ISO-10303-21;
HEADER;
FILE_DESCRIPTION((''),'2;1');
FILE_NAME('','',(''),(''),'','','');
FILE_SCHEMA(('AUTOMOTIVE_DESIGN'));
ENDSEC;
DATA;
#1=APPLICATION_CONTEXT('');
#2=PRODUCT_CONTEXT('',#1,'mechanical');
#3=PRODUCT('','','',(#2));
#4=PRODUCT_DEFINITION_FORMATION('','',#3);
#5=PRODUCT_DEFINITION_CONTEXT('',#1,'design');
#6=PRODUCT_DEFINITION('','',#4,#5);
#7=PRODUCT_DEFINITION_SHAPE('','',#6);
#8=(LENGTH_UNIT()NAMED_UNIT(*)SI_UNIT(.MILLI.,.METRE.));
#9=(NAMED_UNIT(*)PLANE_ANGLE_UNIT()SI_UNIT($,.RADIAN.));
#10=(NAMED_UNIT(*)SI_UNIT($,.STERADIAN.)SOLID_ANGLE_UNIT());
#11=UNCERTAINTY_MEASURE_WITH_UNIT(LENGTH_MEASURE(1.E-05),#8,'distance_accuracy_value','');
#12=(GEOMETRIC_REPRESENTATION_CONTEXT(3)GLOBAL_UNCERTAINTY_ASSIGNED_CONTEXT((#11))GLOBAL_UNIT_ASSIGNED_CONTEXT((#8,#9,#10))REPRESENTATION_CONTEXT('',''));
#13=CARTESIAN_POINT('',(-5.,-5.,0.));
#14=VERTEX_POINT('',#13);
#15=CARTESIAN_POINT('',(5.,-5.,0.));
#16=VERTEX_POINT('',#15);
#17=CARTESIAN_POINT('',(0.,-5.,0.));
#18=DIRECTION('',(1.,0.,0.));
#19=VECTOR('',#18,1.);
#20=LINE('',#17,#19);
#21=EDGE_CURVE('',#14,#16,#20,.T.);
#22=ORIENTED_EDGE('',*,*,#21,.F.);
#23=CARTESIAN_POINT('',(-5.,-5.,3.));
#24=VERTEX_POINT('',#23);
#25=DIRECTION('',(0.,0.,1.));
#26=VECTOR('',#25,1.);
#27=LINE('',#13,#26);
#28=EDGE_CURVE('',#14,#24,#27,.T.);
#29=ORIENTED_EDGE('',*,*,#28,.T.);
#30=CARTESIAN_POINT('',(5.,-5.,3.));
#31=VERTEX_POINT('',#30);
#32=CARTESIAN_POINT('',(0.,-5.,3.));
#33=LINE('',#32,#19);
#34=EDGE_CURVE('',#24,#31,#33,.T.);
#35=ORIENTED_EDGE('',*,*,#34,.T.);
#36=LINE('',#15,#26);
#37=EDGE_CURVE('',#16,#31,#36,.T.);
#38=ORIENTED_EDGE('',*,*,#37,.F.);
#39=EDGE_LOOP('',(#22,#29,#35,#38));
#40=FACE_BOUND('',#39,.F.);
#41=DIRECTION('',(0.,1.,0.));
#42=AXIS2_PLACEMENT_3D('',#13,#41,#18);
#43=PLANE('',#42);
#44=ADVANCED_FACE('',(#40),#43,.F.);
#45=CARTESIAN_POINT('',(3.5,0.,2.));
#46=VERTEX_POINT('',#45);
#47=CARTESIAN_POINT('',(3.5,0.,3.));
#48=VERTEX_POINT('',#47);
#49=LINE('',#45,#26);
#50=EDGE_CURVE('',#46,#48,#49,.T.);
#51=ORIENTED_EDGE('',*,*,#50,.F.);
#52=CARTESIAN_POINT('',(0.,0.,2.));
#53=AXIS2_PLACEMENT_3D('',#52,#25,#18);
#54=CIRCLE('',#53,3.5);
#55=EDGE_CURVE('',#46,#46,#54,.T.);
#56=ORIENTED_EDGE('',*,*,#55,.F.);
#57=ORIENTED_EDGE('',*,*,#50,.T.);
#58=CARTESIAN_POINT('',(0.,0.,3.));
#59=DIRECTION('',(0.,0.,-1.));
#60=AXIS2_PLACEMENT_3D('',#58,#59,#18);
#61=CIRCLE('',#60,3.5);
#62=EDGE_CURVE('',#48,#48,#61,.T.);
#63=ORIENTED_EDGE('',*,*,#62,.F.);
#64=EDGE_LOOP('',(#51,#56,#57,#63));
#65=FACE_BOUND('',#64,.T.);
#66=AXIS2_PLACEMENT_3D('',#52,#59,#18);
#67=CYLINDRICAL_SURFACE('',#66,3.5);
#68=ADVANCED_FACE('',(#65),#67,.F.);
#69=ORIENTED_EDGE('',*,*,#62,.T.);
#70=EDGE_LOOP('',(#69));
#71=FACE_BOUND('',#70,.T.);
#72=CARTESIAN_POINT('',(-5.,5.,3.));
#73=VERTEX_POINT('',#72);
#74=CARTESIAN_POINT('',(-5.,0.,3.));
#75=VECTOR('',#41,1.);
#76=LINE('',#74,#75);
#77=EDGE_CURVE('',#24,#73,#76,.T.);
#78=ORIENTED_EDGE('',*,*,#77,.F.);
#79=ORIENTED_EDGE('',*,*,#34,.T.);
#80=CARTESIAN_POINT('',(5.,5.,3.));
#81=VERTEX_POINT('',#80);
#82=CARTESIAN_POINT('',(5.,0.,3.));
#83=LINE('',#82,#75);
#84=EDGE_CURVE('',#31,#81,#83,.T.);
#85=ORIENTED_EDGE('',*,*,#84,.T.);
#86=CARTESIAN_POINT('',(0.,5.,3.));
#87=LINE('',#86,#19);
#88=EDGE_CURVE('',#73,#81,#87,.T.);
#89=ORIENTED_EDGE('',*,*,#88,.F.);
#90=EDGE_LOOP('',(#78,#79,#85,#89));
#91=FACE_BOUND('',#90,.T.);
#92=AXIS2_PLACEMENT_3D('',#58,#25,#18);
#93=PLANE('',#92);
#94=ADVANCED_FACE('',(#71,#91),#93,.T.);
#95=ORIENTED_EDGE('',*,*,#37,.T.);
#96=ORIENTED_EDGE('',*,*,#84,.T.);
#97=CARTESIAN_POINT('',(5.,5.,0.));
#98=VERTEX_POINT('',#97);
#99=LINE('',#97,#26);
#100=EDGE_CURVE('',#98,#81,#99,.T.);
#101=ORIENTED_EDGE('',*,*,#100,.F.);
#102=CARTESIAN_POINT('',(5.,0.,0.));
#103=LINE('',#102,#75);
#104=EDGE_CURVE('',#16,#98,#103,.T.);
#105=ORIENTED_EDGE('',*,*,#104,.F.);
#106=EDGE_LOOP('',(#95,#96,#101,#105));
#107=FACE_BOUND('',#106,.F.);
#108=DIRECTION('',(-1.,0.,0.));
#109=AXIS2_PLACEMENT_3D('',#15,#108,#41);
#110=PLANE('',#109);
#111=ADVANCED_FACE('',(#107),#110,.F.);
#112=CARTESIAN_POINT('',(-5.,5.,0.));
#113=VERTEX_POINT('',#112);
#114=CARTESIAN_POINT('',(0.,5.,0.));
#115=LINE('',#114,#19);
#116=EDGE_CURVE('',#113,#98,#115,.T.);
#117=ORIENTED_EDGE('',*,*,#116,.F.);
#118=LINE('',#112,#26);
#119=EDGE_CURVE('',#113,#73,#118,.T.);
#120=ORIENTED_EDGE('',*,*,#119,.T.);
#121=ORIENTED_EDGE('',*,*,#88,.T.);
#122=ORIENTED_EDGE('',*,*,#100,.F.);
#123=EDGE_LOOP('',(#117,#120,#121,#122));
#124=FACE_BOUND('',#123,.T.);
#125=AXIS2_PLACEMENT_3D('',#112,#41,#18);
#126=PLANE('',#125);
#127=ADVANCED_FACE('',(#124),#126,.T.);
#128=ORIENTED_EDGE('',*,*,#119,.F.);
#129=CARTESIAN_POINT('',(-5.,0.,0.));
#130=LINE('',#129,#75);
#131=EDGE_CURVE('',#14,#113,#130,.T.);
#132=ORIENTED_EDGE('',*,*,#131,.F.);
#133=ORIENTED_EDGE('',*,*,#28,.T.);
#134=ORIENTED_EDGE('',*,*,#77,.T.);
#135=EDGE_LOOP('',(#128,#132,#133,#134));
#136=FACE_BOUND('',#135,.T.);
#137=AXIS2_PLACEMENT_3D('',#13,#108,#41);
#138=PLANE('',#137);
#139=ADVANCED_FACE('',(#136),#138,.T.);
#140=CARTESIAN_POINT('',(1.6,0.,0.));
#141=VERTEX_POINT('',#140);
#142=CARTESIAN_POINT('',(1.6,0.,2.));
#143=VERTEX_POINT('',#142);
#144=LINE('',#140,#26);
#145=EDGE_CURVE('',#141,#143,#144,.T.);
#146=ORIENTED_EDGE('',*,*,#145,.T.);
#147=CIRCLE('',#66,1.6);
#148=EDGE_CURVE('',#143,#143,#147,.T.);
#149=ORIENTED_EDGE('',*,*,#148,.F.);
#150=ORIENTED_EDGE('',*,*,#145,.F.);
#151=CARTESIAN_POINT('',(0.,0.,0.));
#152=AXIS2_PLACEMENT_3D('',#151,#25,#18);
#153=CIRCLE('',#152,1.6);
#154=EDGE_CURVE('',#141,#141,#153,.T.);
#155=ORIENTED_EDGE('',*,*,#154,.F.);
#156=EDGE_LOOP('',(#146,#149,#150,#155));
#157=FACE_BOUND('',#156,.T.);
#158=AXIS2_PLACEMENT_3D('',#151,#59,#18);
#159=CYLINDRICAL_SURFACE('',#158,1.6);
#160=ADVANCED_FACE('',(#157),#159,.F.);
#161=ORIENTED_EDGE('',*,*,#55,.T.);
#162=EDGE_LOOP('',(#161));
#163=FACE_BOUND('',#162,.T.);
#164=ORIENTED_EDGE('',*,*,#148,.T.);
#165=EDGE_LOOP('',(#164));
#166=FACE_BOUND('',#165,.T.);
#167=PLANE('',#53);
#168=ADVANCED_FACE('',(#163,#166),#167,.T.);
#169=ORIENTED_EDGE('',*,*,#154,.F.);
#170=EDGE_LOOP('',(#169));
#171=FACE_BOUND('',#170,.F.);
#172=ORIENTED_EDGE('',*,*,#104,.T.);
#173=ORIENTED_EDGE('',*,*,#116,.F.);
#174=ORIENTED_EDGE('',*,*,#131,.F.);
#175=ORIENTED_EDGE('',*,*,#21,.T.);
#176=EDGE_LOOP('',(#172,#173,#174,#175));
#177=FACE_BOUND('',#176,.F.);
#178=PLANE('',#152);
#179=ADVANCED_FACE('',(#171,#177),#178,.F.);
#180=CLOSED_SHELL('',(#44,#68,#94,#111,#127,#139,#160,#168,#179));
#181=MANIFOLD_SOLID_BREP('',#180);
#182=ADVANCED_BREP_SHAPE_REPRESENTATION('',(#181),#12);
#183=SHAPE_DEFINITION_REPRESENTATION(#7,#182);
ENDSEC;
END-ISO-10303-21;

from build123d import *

# Parameters (mm, degrees)
CYLINDER001_R     = 1.6
CYLINDER001_DEPTH = 10
CYLINDER_R        = 3.5
CYLINDER_DEPTH    = 10
BOX001_W          = 10
BOX001_H          = 10
BOX001_DEPTH      = 3


with BuildPart() as cylinder001:
    # Cylinder001 → Cylinder001 (new body)
    with BuildSketch(Plane.XY):
        Circle(CYLINDER001_R)
    extrude(amount=CYLINDER001_DEPTH)


with BuildPart() as cylinder:
    # Cylinder → Cylinder (new body)
    with BuildSketch(Plane.XY.offset(2)):
        Circle(CYLINDER_R)
    extrude(amount=CYLINDER_DEPTH)


with BuildPart() as screw_hole:
    # Box001 → Box001 (new body)
    with BuildSketch(Plane(origin=(-5, -5, 0), x_dir=(1, 0, 0), z_dir=(0, 0, 1))):
        with Locations((5, 5)):
            Rectangle(BOX001_W, BOX001_H)
    extrude(amount=BOX001_DEPTH)

    # Cut: cut Cylinder
    add(cylinder.part, mode=Mode.SUBTRACT)

    # Cut001: cut Cylinder001
    add(cylinder001.part, mode=Mode.SUBTRACT)


solid = screw_hole.part
